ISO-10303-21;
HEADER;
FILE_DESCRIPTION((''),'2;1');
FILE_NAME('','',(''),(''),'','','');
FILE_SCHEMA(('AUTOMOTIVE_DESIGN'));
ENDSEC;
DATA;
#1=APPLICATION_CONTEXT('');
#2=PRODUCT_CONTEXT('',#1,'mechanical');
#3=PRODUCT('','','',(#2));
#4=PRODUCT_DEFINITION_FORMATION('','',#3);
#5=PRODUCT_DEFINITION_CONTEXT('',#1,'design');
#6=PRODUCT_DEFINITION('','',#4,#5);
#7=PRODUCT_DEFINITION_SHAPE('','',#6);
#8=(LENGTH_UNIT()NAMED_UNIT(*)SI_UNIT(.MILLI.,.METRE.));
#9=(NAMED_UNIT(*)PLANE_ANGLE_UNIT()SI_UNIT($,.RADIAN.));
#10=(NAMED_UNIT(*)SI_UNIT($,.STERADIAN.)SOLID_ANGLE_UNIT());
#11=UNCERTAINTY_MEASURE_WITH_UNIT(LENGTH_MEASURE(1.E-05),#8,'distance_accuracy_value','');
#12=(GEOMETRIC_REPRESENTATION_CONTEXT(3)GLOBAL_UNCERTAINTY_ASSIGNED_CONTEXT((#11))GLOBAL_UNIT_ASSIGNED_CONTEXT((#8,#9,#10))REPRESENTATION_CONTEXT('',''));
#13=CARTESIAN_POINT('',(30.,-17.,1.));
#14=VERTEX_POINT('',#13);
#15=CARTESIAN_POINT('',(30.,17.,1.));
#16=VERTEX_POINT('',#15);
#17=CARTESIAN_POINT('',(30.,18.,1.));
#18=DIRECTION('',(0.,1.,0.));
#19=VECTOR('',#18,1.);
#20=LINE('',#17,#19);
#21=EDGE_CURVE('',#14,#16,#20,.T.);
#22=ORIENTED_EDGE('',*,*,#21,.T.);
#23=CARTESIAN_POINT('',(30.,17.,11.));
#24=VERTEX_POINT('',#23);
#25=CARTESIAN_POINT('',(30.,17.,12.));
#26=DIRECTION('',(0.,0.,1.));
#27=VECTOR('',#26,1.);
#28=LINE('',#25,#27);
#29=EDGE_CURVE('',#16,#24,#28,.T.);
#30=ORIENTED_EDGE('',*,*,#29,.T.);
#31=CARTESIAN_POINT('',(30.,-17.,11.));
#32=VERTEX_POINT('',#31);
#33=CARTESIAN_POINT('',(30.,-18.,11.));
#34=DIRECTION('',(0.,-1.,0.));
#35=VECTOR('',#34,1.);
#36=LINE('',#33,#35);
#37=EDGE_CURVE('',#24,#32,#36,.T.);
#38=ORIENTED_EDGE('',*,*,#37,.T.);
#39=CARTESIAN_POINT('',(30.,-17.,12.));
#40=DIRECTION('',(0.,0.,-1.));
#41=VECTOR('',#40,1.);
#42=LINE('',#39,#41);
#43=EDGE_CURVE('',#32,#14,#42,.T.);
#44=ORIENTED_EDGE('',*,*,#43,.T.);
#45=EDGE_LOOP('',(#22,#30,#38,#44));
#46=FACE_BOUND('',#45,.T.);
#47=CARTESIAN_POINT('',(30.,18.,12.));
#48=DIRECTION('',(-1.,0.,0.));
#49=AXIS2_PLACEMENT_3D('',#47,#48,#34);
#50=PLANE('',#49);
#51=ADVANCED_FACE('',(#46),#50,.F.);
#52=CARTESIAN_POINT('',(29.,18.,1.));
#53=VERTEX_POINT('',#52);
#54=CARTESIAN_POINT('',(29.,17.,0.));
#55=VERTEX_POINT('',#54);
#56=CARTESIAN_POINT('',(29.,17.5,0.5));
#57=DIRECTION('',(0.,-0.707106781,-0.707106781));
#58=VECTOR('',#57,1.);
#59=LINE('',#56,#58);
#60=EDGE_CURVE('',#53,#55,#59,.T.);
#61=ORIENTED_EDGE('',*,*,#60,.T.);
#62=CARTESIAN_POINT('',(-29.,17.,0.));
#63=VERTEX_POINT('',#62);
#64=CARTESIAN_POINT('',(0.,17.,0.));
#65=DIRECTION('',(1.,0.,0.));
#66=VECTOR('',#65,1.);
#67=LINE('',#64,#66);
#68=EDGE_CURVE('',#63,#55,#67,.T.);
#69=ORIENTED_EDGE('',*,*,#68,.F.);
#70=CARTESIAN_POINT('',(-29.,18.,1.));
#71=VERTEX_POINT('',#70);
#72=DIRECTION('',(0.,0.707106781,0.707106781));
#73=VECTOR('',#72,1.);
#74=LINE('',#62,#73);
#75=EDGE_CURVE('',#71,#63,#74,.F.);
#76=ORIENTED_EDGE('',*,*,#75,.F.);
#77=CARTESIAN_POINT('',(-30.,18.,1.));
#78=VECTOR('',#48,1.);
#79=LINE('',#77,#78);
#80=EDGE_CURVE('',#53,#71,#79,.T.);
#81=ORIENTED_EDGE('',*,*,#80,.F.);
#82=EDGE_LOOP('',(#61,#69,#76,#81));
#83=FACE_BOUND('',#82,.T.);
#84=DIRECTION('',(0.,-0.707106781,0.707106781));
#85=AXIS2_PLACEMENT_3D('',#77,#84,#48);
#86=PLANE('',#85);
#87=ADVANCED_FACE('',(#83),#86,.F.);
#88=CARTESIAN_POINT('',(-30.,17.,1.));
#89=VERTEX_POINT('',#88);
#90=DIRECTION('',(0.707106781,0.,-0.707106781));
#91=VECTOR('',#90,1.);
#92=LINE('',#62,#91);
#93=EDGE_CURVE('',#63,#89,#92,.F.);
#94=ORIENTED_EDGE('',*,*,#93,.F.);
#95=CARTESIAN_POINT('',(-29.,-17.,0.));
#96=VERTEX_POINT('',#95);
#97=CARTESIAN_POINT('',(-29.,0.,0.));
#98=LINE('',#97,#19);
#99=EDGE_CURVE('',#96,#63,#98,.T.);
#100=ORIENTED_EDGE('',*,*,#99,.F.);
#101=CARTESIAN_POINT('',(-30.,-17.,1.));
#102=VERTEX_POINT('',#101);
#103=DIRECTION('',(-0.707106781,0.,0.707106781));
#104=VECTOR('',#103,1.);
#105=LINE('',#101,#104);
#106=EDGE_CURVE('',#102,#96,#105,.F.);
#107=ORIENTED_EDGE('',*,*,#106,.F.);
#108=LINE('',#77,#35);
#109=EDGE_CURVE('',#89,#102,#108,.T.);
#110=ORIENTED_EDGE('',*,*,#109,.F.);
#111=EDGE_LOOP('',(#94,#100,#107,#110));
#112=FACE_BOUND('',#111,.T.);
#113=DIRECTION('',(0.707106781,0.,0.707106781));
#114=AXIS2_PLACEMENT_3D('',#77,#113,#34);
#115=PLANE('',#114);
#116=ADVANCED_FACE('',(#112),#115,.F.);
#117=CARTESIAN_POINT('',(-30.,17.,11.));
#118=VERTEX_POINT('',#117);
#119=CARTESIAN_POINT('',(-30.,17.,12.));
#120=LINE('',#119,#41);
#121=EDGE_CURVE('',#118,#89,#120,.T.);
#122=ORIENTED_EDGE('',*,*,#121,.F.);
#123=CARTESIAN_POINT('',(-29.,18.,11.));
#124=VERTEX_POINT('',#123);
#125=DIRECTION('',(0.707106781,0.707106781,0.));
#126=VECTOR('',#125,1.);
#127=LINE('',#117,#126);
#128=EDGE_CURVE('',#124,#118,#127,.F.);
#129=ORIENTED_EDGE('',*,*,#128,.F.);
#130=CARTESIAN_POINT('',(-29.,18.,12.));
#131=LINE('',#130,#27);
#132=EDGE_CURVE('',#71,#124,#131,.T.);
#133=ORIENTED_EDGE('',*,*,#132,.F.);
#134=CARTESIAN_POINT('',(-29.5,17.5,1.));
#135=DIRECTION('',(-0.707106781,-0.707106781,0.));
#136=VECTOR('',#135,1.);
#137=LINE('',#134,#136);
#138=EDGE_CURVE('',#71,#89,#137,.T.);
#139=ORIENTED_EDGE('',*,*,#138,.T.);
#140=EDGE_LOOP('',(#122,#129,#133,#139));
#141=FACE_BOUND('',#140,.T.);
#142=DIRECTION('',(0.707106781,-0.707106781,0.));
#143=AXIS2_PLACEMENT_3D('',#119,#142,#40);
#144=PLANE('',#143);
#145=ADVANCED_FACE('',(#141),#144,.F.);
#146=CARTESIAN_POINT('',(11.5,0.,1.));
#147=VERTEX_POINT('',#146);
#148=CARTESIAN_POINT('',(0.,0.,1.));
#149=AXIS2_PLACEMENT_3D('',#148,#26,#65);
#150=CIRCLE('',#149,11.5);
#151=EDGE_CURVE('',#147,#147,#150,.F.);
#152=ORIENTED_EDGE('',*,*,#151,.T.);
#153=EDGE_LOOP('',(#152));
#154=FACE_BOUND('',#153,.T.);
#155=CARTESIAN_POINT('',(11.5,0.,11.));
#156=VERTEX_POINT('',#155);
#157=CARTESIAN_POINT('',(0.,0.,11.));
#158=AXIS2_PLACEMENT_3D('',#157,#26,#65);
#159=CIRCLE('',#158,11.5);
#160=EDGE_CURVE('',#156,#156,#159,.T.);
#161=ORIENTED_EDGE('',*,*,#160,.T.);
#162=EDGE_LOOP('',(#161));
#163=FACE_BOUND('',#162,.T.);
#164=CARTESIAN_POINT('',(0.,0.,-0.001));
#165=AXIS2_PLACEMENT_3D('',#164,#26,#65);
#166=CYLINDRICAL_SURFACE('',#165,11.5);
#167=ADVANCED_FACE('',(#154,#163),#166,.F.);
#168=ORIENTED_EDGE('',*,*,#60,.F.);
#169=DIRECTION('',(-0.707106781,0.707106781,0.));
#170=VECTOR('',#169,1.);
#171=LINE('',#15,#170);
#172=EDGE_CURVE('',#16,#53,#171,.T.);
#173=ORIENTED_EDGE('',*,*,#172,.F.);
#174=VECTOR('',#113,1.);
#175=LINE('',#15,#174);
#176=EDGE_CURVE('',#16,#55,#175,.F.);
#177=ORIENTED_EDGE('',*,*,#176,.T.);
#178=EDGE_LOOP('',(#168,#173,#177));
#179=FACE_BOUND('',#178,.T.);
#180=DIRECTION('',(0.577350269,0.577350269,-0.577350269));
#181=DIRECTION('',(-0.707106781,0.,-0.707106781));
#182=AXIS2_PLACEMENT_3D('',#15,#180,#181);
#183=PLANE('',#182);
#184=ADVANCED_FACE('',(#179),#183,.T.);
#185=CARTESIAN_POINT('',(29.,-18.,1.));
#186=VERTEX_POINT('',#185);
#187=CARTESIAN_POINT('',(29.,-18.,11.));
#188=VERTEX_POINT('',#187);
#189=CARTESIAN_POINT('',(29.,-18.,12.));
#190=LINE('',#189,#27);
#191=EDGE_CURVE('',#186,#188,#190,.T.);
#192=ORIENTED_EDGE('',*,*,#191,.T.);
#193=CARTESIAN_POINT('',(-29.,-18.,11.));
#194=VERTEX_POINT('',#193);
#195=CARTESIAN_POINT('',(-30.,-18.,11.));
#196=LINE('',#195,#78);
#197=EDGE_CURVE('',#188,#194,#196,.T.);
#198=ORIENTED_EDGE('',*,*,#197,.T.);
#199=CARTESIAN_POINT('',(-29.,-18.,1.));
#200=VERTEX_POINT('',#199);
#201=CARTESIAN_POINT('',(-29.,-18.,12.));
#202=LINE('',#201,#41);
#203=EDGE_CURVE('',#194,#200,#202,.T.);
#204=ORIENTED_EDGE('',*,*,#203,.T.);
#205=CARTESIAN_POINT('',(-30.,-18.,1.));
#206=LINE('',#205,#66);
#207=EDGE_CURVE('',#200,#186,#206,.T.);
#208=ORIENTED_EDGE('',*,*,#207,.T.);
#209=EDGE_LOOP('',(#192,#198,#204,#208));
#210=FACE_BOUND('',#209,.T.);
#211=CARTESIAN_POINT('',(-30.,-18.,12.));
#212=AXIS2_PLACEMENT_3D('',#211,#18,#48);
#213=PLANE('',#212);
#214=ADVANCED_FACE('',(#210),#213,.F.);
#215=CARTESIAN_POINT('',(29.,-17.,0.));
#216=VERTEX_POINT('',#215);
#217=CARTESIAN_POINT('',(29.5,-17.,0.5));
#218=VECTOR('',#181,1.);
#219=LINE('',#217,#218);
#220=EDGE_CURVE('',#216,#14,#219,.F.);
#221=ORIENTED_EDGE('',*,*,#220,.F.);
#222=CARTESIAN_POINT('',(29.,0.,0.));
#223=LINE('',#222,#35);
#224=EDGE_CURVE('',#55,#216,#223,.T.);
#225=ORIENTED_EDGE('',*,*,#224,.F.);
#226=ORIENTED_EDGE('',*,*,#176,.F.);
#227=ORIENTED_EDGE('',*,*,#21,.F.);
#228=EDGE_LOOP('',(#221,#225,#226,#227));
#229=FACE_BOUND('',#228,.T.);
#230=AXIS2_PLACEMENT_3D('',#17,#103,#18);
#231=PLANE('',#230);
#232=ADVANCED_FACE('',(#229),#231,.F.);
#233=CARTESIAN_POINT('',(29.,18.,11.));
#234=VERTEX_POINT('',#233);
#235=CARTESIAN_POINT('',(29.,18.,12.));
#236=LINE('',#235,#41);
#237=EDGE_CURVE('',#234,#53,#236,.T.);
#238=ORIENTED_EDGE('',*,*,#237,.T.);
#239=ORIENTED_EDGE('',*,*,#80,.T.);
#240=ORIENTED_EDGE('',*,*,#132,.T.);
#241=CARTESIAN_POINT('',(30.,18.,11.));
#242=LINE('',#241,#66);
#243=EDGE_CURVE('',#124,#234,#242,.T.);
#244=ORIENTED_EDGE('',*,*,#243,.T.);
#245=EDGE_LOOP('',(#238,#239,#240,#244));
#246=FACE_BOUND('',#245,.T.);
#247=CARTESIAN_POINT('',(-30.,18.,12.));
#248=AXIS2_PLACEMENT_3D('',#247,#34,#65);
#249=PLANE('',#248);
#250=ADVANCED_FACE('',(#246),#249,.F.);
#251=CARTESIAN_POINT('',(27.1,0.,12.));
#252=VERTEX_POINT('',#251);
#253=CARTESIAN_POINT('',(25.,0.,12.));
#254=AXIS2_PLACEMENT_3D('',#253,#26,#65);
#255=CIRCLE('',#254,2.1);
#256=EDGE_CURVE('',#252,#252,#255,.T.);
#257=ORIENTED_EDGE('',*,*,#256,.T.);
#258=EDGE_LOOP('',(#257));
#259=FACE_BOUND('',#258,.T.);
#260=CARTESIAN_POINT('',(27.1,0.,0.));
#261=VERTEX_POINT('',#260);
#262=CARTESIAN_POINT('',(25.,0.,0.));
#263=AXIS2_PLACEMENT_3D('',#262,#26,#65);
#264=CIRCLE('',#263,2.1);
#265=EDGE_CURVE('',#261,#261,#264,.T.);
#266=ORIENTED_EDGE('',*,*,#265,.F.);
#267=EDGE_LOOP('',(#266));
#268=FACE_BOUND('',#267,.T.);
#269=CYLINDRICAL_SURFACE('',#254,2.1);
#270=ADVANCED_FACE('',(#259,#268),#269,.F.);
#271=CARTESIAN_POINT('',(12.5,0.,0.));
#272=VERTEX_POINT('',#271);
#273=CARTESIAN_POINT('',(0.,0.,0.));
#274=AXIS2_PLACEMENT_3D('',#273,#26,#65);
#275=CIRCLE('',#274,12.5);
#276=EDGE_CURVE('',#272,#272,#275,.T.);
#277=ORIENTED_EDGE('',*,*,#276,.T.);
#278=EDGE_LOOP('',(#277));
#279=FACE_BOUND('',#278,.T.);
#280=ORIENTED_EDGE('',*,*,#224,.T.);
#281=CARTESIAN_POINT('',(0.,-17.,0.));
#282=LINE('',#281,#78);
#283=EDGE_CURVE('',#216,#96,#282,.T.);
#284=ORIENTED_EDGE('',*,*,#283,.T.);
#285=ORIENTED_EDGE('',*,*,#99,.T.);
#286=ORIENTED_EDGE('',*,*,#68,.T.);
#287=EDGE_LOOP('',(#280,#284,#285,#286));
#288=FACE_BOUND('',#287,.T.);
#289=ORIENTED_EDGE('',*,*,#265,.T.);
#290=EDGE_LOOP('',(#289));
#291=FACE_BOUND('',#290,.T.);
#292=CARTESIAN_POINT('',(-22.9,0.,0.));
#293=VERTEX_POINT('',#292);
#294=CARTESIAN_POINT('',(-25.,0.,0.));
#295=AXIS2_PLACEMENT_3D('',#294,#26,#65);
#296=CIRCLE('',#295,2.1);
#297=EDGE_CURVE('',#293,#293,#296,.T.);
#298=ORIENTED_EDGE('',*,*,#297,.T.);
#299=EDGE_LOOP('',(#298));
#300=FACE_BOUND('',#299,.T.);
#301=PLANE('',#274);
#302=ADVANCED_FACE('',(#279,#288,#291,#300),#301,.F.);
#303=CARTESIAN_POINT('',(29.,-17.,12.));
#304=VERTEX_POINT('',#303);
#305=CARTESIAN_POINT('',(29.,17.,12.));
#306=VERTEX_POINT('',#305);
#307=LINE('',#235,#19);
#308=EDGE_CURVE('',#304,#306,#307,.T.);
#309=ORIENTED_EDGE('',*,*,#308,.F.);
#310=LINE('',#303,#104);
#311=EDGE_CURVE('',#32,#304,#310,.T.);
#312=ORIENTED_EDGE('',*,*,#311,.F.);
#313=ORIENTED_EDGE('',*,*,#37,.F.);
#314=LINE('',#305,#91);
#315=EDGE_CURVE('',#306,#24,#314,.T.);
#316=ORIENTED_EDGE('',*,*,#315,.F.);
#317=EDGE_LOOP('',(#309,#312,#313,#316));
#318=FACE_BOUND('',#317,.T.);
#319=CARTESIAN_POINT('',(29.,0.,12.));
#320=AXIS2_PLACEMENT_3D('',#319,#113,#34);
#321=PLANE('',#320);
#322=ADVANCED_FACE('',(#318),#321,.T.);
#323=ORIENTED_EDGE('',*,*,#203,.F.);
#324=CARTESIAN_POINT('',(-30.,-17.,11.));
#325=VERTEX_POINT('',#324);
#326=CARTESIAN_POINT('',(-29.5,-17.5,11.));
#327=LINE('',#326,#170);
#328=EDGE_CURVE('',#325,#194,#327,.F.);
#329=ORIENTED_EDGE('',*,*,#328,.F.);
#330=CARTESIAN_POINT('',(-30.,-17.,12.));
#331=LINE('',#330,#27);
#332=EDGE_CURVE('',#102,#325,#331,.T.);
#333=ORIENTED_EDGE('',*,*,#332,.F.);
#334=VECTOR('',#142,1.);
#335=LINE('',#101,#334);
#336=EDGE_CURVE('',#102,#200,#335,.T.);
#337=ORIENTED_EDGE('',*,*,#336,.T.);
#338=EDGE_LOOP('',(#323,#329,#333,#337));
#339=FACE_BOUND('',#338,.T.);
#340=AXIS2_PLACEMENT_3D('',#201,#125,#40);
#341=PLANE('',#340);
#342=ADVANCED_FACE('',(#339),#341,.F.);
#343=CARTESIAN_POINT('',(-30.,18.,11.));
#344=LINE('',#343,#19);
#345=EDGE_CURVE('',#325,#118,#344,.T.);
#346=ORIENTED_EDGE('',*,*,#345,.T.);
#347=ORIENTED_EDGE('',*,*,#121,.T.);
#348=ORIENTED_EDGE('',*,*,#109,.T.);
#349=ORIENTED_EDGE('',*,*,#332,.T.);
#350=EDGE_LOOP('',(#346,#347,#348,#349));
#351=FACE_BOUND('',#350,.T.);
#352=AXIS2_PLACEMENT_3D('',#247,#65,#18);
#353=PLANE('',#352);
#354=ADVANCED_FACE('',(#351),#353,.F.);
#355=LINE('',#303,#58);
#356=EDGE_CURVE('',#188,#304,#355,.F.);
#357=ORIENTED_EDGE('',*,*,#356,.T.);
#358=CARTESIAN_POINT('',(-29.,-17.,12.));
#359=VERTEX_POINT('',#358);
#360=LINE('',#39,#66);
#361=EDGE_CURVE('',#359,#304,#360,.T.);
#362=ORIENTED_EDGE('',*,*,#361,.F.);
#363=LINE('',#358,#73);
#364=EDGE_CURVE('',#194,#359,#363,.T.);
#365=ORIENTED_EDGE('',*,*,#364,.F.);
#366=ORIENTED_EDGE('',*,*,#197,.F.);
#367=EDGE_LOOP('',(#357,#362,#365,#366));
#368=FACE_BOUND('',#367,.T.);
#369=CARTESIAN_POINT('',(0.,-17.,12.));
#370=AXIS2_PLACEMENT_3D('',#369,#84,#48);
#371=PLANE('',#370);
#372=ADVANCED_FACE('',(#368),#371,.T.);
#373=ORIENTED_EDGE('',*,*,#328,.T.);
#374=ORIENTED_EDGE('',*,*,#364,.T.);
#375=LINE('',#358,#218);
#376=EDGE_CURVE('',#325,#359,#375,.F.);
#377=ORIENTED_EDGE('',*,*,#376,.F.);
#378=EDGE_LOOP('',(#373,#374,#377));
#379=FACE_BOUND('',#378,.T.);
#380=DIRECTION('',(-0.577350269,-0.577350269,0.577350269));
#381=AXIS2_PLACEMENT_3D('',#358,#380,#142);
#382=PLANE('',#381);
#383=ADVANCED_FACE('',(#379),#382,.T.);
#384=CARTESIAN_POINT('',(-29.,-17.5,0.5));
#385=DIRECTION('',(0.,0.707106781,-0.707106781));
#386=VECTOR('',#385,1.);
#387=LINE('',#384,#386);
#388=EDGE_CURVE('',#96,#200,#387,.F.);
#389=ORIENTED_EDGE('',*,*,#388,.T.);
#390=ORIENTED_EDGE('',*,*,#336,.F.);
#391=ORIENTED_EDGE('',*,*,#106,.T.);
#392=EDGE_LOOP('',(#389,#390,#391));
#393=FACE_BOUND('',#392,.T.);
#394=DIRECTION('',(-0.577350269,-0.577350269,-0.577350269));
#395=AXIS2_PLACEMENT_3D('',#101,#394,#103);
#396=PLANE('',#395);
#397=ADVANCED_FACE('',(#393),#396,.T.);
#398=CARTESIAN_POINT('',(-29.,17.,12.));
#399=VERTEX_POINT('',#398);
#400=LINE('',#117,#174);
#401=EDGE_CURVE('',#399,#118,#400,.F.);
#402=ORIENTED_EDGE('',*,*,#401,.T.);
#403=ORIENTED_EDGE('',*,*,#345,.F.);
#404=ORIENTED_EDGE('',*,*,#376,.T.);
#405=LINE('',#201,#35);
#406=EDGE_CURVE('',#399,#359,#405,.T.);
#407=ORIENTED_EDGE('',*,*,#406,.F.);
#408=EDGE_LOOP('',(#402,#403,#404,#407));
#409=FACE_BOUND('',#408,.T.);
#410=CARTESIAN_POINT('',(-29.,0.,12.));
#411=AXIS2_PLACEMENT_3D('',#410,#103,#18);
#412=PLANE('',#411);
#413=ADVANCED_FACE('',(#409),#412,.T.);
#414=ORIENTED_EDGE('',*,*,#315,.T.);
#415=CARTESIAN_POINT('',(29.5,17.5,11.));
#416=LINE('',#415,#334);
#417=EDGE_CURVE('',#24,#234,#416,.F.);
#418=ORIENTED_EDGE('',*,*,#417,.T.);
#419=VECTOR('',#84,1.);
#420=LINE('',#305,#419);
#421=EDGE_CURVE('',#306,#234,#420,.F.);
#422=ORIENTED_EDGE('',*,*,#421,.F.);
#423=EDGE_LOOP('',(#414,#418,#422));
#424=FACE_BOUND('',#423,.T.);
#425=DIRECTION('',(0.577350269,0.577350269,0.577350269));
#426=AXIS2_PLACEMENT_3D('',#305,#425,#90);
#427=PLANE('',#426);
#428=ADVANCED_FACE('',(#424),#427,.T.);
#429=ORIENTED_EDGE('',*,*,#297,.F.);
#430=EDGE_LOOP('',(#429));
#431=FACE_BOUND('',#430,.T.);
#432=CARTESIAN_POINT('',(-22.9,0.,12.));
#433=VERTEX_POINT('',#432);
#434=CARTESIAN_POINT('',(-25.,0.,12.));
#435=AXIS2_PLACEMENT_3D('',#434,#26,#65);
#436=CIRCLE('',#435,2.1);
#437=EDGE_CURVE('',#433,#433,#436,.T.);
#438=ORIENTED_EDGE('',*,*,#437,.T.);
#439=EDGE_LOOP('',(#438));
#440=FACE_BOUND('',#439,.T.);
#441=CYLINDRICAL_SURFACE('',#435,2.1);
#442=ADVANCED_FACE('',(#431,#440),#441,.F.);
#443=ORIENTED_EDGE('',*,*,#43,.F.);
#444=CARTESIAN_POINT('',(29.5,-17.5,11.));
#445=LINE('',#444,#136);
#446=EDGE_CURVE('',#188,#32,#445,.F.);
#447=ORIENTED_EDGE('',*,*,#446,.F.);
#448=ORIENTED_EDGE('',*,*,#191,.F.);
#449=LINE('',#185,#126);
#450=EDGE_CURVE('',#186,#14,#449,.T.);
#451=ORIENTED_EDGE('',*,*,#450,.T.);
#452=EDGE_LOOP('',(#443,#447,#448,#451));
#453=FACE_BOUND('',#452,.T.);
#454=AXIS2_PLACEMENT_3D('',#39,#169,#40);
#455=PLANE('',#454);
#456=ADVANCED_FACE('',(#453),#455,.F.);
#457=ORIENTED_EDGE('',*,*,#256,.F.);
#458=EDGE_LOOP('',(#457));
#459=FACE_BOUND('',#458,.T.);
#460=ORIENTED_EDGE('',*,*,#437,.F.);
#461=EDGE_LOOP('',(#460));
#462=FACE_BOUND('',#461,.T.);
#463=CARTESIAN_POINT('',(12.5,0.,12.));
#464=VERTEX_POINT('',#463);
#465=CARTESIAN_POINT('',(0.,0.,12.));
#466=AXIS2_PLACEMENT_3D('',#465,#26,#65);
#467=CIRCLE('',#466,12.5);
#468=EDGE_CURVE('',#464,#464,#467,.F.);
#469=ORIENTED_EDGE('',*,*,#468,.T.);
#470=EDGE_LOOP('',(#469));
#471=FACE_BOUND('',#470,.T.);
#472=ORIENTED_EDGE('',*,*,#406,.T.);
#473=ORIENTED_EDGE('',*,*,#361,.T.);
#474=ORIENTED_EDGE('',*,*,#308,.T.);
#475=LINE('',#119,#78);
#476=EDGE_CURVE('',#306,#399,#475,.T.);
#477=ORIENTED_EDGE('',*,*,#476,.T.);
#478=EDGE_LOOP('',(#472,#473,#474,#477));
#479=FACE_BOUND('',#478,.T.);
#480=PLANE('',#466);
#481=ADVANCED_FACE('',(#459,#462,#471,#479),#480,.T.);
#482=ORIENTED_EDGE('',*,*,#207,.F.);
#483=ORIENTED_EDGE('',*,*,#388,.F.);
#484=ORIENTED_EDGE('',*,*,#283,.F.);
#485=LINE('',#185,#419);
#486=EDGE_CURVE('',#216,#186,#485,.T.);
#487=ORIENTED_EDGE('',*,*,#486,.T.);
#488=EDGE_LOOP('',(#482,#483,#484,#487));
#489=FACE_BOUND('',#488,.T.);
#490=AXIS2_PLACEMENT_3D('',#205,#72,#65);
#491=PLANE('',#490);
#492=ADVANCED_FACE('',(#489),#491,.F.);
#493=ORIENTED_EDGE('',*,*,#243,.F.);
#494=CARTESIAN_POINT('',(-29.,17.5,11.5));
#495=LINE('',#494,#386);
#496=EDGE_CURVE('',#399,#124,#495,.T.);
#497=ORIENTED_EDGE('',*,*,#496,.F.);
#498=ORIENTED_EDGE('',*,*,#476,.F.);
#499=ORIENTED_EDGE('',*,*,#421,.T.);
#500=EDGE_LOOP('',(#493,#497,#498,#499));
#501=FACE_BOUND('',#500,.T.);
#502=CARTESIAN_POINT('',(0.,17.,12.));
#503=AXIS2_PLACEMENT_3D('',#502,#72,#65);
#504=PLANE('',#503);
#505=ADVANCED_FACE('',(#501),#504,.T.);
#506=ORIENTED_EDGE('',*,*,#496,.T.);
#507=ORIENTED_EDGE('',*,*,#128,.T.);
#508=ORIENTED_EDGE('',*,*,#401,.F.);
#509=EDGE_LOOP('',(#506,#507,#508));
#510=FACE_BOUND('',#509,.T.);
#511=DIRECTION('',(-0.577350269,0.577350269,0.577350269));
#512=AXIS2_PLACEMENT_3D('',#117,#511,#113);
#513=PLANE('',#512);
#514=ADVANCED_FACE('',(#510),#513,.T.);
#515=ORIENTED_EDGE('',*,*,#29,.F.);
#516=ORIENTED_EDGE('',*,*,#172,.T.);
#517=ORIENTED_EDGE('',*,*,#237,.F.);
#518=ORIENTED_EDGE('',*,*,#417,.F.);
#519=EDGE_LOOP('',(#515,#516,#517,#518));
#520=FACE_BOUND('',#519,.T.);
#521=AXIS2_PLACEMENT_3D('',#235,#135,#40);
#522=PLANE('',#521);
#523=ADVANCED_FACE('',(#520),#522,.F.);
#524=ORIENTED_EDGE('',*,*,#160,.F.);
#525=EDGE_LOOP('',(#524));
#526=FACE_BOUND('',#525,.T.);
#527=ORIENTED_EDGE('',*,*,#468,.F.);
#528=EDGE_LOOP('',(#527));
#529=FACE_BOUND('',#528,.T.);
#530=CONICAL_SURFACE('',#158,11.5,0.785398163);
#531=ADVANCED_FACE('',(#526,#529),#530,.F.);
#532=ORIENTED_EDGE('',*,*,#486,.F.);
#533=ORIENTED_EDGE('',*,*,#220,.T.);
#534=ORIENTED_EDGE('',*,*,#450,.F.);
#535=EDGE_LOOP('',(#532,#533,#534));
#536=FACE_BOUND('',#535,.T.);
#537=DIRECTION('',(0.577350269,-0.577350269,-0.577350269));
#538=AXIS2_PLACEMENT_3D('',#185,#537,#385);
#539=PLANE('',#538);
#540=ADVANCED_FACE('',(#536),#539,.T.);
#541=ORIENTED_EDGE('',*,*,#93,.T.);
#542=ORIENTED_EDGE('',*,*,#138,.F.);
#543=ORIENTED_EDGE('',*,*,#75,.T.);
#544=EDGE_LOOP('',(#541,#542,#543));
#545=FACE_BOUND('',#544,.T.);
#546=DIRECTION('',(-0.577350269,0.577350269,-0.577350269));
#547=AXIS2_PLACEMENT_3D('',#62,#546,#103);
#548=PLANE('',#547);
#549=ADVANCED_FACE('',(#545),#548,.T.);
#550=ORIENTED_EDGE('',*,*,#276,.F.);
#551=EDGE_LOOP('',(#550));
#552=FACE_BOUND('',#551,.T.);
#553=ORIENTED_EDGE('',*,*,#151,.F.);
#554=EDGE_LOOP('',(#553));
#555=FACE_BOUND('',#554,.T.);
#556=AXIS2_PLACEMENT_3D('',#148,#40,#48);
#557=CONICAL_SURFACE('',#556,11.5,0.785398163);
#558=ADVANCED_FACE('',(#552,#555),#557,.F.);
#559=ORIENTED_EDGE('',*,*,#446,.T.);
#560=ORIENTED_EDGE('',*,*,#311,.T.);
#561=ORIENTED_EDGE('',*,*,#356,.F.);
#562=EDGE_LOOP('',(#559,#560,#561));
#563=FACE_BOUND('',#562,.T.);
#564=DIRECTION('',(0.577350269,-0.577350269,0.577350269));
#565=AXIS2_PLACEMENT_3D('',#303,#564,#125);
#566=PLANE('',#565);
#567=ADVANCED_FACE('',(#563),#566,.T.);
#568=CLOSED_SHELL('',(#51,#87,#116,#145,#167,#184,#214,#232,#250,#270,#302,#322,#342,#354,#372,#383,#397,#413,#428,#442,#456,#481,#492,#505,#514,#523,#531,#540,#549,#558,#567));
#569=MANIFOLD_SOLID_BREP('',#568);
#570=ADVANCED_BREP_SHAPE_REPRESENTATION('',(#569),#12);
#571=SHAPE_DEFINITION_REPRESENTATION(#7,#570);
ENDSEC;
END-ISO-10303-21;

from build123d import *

# Parameters (mm, degrees)
ESQUISSE1_W             = 60
ESQUISSE1_H             = 36
BOSS_EXTRU_1_DEPTH      = 12
ENL_V_MAT_EXTRU_1_REACH = 38.986
ESQUISSE2_R             = 11.5
TROU_TARAUD_M51_D       = 4.2
CHANFREIN1_SIZE         = 1


with BuildPart() as part:
    # Esquisse1 → Boss.-Extru.1 (new body)
    with BuildSketch(Plane.XY):
        Rectangle(ESQUISSE1_W, ESQUISSE1_H)
    extrude(amount=BOSS_EXTRU_1_DEPTH)

    # Esquisse2 → Enlèv. mat.-Extru.1 (cut, up to next)
    with BuildSketch(Plane.XY.offset(12), mode=Mode.PRIVATE) as enl_v_mat_extru_1_sk1:
        Circle(ESQUISSE2_R)
    enl_v_mat_extru_1_tool1 = extrude(enl_v_mat_extru_1_sk1.sketch, amount=-ENL_V_MAT_EXTRU_1_REACH, mode=Mode.PRIVATE) & part.part
    add(enl_v_mat_extru_1_tool1.solids().sort_by_distance((0, 0, 12))[0], mode=Mode.SUBTRACT)

    # Trou taraudé M51 (through all)
    with Locations(Plane.XY.offset(12)):
        with Locations((-25, 0), (25, 0)):
            Hole(TROU_TARAUD_M51_D / 2)

    # Chanfrein1
    chanfrein1_edges = [part.edges().sort_by_distance(p)[0] for p in [
        (30, 0, 12),
        (0, 18, 12),
        (-11.5, 0, 12),
        (-11.5, 0, 0),
        (-30, 0, 12),
        (0, 18, 0),
        (30, 0, 0),
        (0, -18, 0),
        (-30, 0, 0),
        (0, -18, 12),
        (-30, 18, 6),
        (30, 18, 6),
        (30, -18, 6),
        (-30, -18, 6),
    ]]
    chamfer(chanfrein1_edges, length=CHANFREIN1_SIZE)


solid = part.part
